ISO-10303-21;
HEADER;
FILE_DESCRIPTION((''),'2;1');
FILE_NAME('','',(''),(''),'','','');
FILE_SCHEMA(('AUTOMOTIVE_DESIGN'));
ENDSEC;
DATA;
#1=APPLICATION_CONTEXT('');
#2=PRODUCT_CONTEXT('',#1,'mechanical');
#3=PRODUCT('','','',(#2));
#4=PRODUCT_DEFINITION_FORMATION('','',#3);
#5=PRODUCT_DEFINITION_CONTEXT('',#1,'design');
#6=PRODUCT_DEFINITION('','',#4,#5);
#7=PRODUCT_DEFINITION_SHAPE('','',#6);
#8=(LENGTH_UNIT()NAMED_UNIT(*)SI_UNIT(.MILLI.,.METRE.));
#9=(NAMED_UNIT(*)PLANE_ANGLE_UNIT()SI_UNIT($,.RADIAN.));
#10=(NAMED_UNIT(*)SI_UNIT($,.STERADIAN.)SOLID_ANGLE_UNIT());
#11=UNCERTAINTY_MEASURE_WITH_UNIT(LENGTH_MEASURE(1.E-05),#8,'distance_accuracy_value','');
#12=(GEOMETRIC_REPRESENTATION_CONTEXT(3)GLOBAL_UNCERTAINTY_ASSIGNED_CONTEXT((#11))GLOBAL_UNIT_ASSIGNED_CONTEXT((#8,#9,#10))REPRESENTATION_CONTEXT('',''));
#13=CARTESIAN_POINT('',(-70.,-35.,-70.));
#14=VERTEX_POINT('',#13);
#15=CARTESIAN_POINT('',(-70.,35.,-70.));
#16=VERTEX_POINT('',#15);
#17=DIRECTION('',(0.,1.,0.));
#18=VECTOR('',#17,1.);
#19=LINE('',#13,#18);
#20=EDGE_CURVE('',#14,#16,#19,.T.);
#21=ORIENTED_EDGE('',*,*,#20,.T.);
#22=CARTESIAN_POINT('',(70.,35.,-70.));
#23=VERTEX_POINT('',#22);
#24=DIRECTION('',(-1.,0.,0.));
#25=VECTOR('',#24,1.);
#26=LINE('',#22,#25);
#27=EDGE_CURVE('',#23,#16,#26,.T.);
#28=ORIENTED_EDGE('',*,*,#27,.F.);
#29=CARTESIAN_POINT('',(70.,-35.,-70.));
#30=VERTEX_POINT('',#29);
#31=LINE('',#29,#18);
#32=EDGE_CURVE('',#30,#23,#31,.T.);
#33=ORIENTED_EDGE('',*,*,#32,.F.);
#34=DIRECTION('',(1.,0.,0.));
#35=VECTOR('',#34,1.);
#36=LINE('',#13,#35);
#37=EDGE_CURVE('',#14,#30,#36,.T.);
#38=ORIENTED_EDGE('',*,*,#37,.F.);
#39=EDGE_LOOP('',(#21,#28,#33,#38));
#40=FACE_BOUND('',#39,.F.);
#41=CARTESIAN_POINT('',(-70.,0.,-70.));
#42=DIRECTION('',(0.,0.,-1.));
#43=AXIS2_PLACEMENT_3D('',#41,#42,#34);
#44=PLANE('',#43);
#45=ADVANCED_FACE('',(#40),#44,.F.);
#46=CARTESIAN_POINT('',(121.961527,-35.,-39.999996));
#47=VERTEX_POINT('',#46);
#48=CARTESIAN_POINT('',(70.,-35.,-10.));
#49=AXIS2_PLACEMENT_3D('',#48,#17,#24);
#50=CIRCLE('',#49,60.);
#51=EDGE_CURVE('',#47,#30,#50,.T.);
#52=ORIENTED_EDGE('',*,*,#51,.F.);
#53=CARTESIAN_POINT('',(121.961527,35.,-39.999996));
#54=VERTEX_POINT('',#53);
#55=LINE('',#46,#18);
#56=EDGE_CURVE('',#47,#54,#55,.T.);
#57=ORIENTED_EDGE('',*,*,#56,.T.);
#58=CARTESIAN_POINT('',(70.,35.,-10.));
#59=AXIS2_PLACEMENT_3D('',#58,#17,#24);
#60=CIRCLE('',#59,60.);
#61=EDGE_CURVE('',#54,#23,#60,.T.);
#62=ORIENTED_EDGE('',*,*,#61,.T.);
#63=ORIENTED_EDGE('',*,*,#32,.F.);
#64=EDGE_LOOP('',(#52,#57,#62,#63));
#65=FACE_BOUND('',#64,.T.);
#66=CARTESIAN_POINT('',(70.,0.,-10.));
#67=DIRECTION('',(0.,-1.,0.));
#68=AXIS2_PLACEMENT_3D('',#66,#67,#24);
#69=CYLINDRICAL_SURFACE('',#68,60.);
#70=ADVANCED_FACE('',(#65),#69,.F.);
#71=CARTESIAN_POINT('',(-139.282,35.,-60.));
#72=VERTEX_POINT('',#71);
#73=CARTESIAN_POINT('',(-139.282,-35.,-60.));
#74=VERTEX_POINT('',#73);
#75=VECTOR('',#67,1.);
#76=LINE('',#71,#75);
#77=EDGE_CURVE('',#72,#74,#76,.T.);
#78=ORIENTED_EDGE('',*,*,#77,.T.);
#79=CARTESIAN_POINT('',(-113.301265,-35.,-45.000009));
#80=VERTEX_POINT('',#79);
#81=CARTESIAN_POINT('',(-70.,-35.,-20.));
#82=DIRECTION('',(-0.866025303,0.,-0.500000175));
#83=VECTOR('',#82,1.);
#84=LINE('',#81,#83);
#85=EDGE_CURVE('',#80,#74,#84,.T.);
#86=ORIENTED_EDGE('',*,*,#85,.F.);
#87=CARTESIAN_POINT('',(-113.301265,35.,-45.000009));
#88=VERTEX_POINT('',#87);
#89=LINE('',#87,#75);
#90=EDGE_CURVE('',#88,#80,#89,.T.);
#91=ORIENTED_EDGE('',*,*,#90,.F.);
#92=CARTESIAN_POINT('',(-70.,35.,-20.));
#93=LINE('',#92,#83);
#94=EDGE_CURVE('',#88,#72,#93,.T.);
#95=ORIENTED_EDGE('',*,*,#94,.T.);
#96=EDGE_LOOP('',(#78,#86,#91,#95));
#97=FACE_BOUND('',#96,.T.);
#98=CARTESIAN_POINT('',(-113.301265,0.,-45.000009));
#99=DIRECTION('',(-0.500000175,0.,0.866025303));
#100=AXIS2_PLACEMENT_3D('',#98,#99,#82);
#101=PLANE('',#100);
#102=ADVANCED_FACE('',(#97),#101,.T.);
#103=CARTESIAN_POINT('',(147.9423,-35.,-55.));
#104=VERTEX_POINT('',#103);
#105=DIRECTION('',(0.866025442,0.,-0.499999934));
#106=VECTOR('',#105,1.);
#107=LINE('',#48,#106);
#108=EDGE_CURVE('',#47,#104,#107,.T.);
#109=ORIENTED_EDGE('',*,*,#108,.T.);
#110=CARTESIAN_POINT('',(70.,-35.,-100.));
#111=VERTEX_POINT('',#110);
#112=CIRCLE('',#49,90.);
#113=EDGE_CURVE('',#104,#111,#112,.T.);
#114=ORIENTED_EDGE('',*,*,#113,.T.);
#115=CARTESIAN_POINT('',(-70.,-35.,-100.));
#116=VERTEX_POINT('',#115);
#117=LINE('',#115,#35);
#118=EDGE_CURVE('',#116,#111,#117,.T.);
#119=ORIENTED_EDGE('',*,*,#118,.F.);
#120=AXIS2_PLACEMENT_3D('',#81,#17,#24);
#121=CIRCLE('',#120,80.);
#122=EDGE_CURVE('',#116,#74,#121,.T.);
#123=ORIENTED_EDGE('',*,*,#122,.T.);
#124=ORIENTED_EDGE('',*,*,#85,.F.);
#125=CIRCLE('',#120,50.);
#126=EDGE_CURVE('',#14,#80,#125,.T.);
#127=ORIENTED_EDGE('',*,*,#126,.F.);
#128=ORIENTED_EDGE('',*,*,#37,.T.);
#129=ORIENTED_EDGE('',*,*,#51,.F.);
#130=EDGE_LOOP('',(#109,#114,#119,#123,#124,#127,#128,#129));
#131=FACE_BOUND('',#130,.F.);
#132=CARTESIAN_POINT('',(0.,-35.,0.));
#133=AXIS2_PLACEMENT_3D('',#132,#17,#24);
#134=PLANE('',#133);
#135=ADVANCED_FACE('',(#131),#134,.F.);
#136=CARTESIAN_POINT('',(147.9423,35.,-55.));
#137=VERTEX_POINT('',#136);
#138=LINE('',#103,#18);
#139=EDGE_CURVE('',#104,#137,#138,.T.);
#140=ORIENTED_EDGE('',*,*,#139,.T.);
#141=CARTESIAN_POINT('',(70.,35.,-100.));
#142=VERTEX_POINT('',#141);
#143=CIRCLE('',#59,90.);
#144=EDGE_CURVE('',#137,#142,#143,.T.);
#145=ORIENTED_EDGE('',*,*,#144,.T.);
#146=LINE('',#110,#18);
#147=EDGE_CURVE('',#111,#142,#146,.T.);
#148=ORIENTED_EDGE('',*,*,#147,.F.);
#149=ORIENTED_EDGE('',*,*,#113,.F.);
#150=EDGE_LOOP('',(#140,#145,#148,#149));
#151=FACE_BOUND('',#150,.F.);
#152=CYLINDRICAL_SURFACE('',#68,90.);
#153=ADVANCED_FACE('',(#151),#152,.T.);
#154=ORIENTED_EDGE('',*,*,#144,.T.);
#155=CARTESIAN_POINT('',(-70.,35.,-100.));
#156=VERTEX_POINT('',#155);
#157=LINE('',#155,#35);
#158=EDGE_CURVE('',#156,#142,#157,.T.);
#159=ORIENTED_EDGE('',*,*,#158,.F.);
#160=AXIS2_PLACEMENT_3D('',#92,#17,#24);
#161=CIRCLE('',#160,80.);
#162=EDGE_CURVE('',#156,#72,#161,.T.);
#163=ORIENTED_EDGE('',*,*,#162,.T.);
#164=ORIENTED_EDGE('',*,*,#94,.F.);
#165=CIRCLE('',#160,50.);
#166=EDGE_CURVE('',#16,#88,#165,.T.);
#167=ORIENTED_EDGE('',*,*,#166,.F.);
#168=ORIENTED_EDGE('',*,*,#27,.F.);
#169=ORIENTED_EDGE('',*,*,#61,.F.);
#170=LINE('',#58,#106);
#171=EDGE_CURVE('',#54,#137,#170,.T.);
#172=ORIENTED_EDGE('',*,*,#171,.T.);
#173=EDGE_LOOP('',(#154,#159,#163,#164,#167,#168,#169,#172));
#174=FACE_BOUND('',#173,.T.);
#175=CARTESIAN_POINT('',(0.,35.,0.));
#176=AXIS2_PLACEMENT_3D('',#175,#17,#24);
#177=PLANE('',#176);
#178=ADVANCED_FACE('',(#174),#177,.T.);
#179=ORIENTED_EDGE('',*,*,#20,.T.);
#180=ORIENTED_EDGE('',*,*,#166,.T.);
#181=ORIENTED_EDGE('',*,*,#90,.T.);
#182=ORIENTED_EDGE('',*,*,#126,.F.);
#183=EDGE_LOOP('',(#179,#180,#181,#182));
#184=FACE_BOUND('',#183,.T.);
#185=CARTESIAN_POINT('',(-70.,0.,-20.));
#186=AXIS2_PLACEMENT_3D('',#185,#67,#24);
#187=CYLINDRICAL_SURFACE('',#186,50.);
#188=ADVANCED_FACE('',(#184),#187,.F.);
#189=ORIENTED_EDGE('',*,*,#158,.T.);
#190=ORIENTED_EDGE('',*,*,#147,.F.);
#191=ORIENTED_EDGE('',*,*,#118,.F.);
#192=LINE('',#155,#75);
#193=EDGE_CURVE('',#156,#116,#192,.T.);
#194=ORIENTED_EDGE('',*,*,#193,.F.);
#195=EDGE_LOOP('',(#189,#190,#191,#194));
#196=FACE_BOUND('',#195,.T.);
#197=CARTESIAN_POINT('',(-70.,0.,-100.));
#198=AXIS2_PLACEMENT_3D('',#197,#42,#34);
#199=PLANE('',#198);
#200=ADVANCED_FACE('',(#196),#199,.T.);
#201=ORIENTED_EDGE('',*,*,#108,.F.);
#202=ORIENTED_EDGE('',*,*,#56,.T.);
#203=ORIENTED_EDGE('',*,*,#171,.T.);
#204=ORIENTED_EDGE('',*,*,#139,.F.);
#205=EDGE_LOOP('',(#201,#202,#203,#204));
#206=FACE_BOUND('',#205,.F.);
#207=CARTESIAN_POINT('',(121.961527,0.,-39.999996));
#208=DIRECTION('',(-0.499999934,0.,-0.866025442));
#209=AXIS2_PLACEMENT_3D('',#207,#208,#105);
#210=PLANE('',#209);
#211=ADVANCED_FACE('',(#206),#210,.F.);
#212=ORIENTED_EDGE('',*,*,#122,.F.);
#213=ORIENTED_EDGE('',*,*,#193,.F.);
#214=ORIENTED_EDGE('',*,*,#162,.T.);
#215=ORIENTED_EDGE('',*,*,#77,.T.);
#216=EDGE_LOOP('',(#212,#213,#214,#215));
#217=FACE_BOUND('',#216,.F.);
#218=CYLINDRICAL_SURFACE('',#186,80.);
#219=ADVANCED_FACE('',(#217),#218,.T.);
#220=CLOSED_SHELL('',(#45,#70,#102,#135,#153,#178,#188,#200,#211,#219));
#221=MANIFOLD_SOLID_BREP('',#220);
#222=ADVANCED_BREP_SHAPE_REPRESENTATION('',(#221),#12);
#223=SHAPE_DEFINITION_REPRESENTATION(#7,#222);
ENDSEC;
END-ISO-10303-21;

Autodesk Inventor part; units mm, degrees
ref_plane "YZ Plane" through (0, 0, 0) normal (1, 0, 0) x (0, 1, 0)
ref_plane "XZ Plane" through (0, 0, 0) normal (0, 1, 0) x (-1, 0, 0)
ref_plane "XY Plane" through (0, 0, 0) normal (0, 0, 1) x (1, 0, 0)
sketch "スケッチ1" plane through (0, 0, 0) normal (0, 1, 0) x (-1, 0, 0)
  circle A0 centre (70, -20) radius 80
  circle A1 centre (-70, -10) radius 90
  line L0 (70, -100) -> (-70, -100)
  line L1 (70, -20) -> (70, -100)
  line L2 (70, -20) -> (139.282, -60)
  line L3 (-70, -10) -> (-70, -100)
  line L4 (-70, -10) -> (-147.9423, -55)
  circle A2 centre (70, -20) radius 50
  circle A3 centre (-70, -10) radius 60
  line L5 (70, -70) -> (-70, -70)
  point P0 (0, 0)
  point P1 (113.3013, -45)
  point P2 (-121.9615, -40)
  dimension "d7" = 100
  dimension "d8" = 120
  dimension "d0" = 160
  dimension "d1" = 180
  dimension "d2" = 100
  dimension "d3" = 70
  dimension "d4" = 70
  dimension "d5" = 60
  dimension "d6" = 60
extrude "押し出し1" add sketch "スケッチ1" along normal mid plane 70 contours L1 A2 L2 A0 | L0 A1 L5 A0 | A0 L5 L1 | L3 L5 A1 | A1 L4 A3 L3
fillet "フィレット1" [suppressed]
properties part number "ArcSole2b"
